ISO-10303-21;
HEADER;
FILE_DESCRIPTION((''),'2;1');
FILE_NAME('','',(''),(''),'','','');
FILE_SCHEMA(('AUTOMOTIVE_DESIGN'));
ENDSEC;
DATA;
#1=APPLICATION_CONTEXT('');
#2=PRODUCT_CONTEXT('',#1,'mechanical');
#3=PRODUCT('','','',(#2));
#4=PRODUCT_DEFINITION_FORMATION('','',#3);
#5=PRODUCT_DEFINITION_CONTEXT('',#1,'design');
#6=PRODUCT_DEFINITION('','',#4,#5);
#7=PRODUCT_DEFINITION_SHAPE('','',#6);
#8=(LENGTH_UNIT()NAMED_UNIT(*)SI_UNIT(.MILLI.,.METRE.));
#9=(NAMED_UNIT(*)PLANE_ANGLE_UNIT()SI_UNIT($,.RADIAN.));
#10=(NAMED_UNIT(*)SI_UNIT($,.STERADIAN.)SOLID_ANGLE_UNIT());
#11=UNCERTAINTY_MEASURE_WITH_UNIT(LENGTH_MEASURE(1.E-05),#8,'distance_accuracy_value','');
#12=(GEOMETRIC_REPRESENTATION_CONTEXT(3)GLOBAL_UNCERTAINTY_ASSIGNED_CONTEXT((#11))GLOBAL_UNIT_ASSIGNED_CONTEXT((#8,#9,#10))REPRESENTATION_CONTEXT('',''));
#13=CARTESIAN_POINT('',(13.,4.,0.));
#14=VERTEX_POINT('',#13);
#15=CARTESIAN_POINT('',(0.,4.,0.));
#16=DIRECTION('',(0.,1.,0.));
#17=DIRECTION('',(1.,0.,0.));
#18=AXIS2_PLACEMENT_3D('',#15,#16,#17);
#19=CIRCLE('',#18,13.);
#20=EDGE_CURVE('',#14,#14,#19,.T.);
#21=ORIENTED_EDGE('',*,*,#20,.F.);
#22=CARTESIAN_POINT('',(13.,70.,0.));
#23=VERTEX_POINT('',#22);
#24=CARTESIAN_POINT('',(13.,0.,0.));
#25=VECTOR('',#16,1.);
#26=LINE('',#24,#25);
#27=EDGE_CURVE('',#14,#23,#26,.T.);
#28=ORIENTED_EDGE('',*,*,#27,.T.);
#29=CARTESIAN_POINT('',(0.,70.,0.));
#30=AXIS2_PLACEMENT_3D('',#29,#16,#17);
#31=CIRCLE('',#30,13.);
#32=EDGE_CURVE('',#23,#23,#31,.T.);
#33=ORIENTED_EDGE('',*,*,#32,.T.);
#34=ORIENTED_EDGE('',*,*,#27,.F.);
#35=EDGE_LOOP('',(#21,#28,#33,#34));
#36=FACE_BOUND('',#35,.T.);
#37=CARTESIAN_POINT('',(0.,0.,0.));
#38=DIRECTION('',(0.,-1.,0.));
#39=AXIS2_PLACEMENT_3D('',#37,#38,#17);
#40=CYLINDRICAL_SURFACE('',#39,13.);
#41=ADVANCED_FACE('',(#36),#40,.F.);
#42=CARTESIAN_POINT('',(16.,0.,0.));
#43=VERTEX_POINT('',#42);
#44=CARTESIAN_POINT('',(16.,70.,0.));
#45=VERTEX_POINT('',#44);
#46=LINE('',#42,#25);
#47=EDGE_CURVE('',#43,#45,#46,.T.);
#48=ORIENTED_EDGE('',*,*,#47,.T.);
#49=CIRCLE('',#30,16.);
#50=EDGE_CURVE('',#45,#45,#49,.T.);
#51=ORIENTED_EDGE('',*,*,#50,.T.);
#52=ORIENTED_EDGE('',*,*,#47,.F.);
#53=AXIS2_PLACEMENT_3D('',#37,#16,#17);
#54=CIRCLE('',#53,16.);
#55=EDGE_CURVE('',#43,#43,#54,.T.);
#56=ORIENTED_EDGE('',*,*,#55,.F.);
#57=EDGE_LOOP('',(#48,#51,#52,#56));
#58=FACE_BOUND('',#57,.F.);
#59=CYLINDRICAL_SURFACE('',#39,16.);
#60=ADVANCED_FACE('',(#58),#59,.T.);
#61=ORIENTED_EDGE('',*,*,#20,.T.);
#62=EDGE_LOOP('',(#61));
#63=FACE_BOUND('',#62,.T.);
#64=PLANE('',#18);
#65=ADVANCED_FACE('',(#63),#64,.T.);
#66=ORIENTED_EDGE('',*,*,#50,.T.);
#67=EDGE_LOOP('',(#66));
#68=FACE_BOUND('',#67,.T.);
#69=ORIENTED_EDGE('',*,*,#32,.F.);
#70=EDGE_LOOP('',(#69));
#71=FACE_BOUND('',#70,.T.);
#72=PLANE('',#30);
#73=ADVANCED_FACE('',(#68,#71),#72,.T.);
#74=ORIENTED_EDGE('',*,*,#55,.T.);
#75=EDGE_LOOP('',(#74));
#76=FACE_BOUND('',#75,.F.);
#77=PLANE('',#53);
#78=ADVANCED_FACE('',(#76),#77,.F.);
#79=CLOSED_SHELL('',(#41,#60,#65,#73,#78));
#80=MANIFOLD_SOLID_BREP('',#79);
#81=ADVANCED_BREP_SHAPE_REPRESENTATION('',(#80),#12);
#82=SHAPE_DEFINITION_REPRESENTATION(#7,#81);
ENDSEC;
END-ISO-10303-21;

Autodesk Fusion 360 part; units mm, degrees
sketch "Sketch1" plane through (0, 0, 0) normal (0, 1, 0) x (1, 0, 0)
  circle A0 centre (0, 0) radius 16
  circle A1 centre (0, 0) radius 13
  dimension "d1" = 32
  dimension "d7" = 3
extrude "Extrude1" add sketch "Sketch1" along normal blind 70 makes body 1
extrude "Extrude2" add sketch "Sketch1" along normal blind 4 contours A1 bodies 1
copy_body "Body->Comp1" bodies 1 removing the originals makes body 2 in component "tubeToolHolder04"
component "tubeToolHolder04" placed x (1, 0, 0) y (0, 1, 0) z (0, 0, 1) at (0, 0, 0)
